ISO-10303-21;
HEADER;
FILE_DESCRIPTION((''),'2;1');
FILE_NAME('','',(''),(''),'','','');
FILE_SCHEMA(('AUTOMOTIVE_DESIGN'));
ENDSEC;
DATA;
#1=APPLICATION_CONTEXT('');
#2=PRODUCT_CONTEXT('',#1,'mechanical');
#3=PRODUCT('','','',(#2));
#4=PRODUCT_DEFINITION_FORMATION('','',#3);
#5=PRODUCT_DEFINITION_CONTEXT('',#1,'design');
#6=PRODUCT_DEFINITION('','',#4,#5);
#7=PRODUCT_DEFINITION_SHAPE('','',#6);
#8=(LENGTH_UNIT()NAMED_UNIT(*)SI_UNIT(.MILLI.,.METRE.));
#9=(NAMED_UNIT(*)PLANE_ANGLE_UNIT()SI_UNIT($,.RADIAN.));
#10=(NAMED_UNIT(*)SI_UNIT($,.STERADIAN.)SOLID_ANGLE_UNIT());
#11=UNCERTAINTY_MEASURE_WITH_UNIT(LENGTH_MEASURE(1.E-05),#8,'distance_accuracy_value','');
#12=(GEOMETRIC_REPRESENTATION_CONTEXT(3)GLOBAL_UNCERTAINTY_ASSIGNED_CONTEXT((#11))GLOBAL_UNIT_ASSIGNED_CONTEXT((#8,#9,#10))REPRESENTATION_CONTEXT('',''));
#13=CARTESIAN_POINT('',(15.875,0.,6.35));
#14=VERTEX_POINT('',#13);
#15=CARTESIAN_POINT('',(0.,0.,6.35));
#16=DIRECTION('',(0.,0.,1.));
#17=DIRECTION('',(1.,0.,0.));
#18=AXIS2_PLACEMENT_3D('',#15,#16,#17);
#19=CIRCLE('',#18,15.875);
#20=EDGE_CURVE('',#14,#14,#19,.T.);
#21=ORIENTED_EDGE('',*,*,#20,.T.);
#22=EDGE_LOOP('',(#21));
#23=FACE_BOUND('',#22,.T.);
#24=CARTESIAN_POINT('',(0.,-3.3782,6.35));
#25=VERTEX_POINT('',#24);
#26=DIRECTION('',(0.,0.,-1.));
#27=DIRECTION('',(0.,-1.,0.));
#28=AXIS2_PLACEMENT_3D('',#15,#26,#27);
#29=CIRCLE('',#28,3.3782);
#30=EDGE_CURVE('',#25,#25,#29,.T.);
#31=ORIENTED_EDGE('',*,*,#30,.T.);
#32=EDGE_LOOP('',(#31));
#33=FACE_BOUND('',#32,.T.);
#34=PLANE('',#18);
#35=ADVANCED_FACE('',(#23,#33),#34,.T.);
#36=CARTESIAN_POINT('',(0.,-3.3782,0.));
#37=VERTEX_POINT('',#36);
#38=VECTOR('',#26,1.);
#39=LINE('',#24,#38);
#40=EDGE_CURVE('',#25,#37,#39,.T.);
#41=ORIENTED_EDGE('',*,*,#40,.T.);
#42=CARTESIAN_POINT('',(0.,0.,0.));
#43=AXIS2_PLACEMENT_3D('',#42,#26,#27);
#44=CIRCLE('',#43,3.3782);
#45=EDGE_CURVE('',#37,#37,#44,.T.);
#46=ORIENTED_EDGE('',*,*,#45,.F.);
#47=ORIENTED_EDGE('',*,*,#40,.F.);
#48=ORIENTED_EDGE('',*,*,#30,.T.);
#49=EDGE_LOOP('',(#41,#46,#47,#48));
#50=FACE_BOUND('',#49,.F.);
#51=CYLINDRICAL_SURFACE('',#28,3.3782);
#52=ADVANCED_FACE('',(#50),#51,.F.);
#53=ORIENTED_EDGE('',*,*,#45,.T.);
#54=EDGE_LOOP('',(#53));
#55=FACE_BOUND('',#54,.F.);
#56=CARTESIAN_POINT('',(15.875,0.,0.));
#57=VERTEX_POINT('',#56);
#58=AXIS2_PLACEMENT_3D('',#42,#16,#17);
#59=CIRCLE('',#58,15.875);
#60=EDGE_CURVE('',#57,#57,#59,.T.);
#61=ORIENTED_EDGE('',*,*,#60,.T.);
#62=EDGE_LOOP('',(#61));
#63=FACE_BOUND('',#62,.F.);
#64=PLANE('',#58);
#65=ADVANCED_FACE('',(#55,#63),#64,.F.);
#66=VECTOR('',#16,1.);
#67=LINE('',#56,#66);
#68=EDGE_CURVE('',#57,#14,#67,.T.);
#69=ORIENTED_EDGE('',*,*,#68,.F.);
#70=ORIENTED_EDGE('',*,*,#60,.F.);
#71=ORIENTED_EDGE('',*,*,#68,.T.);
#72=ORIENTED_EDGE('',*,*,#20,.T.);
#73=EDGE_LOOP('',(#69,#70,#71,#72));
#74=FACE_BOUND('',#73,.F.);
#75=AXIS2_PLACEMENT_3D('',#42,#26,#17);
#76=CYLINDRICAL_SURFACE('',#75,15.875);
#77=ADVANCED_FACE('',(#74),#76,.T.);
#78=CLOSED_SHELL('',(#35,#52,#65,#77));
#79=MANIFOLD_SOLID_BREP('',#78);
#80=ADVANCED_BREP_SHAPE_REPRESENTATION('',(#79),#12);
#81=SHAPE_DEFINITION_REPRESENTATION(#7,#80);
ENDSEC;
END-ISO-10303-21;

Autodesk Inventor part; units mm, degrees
ref_plane "YZ Plane" through (0, 0, 0) normal (1, 0, 0) x (0, 1, 0)
ref_plane "XZ Plane" through (0, 0, 0) normal (0, 1, 0) x (-1, 0, 0)
ref_plane "XY Plane" through (0, 0, 0) normal (0, 0, 1) x (1, 0, 0)
sketch "Sketch2" plane through (0, 0, 0) normal (0, 0, 1) x (1, 0, 0)
  circle A0 centre (0, 0) radius 15.875
  dimension "d0" = 31.75
extrude "Extrusion1" add sketch "Sketch2" along normal blind 6.35
sketch "Sketch3" plane through (0, 0, 6.35) normal (0, 0, 1) x (1, 0, 0)
  point P0 (0, 0)
  point P1 (0, 0)
hole "Hole1" at (0, 0, 6.35) direction (0, 0, -1) diameter 6.7564 end through all
properties part number "FRA_010_SideCenterSpacer" material "ABS Plastic"
